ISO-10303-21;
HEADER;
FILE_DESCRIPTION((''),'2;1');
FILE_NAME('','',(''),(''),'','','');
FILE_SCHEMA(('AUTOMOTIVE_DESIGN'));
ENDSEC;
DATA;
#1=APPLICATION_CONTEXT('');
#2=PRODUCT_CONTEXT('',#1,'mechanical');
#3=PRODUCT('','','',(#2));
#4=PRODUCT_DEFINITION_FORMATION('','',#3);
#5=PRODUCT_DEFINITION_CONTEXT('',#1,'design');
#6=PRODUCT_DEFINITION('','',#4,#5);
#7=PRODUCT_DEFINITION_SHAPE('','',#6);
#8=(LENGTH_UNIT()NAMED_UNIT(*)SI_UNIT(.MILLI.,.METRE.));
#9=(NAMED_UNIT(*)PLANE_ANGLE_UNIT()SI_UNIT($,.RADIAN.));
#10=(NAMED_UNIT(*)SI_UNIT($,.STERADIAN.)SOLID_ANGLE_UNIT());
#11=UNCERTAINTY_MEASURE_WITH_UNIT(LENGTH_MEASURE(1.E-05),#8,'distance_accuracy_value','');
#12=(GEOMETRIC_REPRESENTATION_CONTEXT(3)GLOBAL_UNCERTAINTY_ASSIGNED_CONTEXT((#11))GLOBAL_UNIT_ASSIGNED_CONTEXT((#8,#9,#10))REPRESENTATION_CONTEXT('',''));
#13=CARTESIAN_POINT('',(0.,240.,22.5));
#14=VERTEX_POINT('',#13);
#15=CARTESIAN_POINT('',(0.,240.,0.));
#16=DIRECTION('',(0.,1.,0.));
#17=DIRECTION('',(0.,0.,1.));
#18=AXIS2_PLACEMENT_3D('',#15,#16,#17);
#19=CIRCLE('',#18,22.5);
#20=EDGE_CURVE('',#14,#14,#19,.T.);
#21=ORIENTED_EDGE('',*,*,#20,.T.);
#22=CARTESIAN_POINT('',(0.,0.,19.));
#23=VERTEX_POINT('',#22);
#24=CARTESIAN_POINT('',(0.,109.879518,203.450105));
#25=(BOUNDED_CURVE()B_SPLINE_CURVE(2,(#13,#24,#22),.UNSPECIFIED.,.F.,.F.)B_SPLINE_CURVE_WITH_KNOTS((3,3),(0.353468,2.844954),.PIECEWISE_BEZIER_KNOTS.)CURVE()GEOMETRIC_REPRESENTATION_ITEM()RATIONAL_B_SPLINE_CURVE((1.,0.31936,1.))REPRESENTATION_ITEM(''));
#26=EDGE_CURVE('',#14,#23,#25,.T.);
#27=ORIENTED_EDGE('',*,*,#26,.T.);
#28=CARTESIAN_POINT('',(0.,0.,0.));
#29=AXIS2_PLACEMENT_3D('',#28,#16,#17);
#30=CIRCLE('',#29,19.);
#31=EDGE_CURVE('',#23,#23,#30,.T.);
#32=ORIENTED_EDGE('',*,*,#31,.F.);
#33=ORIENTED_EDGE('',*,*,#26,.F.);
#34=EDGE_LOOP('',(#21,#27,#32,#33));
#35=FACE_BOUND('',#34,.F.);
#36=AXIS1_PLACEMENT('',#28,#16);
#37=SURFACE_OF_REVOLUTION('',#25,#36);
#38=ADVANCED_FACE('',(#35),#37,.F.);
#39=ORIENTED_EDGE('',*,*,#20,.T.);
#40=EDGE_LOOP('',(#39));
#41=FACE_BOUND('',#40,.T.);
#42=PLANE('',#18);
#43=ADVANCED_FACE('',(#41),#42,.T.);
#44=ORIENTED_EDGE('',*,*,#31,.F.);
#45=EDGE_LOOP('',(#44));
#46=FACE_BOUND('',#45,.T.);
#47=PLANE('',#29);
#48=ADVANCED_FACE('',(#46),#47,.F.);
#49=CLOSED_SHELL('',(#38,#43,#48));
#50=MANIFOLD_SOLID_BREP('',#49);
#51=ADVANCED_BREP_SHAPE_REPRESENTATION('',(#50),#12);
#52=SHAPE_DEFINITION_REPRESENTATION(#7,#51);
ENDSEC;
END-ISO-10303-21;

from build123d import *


with BuildPart() as part:
    # Sketch → Revolution (revolve)
    with BuildSketch(Plane.YZ):
        with BuildLine():
            Line((0, 0), (0, 19))
            add(Edge.make_bspline(
                [(240, 22.5), (109.879518, 203.450105), (0, 19)],
                knots=[0.353468, 0.353468, 0.353468, 2.844954, 2.844954, 2.844954], degree=2, weights=[1, 0.31936, 1]))
            Line((240, 22.5), (240, 0))
            Line((240, 0), (0, 0))
        make_face()
    revolve(axis=Axis((0, 0, 0), (0, 1, 0)))


solid = part.part
